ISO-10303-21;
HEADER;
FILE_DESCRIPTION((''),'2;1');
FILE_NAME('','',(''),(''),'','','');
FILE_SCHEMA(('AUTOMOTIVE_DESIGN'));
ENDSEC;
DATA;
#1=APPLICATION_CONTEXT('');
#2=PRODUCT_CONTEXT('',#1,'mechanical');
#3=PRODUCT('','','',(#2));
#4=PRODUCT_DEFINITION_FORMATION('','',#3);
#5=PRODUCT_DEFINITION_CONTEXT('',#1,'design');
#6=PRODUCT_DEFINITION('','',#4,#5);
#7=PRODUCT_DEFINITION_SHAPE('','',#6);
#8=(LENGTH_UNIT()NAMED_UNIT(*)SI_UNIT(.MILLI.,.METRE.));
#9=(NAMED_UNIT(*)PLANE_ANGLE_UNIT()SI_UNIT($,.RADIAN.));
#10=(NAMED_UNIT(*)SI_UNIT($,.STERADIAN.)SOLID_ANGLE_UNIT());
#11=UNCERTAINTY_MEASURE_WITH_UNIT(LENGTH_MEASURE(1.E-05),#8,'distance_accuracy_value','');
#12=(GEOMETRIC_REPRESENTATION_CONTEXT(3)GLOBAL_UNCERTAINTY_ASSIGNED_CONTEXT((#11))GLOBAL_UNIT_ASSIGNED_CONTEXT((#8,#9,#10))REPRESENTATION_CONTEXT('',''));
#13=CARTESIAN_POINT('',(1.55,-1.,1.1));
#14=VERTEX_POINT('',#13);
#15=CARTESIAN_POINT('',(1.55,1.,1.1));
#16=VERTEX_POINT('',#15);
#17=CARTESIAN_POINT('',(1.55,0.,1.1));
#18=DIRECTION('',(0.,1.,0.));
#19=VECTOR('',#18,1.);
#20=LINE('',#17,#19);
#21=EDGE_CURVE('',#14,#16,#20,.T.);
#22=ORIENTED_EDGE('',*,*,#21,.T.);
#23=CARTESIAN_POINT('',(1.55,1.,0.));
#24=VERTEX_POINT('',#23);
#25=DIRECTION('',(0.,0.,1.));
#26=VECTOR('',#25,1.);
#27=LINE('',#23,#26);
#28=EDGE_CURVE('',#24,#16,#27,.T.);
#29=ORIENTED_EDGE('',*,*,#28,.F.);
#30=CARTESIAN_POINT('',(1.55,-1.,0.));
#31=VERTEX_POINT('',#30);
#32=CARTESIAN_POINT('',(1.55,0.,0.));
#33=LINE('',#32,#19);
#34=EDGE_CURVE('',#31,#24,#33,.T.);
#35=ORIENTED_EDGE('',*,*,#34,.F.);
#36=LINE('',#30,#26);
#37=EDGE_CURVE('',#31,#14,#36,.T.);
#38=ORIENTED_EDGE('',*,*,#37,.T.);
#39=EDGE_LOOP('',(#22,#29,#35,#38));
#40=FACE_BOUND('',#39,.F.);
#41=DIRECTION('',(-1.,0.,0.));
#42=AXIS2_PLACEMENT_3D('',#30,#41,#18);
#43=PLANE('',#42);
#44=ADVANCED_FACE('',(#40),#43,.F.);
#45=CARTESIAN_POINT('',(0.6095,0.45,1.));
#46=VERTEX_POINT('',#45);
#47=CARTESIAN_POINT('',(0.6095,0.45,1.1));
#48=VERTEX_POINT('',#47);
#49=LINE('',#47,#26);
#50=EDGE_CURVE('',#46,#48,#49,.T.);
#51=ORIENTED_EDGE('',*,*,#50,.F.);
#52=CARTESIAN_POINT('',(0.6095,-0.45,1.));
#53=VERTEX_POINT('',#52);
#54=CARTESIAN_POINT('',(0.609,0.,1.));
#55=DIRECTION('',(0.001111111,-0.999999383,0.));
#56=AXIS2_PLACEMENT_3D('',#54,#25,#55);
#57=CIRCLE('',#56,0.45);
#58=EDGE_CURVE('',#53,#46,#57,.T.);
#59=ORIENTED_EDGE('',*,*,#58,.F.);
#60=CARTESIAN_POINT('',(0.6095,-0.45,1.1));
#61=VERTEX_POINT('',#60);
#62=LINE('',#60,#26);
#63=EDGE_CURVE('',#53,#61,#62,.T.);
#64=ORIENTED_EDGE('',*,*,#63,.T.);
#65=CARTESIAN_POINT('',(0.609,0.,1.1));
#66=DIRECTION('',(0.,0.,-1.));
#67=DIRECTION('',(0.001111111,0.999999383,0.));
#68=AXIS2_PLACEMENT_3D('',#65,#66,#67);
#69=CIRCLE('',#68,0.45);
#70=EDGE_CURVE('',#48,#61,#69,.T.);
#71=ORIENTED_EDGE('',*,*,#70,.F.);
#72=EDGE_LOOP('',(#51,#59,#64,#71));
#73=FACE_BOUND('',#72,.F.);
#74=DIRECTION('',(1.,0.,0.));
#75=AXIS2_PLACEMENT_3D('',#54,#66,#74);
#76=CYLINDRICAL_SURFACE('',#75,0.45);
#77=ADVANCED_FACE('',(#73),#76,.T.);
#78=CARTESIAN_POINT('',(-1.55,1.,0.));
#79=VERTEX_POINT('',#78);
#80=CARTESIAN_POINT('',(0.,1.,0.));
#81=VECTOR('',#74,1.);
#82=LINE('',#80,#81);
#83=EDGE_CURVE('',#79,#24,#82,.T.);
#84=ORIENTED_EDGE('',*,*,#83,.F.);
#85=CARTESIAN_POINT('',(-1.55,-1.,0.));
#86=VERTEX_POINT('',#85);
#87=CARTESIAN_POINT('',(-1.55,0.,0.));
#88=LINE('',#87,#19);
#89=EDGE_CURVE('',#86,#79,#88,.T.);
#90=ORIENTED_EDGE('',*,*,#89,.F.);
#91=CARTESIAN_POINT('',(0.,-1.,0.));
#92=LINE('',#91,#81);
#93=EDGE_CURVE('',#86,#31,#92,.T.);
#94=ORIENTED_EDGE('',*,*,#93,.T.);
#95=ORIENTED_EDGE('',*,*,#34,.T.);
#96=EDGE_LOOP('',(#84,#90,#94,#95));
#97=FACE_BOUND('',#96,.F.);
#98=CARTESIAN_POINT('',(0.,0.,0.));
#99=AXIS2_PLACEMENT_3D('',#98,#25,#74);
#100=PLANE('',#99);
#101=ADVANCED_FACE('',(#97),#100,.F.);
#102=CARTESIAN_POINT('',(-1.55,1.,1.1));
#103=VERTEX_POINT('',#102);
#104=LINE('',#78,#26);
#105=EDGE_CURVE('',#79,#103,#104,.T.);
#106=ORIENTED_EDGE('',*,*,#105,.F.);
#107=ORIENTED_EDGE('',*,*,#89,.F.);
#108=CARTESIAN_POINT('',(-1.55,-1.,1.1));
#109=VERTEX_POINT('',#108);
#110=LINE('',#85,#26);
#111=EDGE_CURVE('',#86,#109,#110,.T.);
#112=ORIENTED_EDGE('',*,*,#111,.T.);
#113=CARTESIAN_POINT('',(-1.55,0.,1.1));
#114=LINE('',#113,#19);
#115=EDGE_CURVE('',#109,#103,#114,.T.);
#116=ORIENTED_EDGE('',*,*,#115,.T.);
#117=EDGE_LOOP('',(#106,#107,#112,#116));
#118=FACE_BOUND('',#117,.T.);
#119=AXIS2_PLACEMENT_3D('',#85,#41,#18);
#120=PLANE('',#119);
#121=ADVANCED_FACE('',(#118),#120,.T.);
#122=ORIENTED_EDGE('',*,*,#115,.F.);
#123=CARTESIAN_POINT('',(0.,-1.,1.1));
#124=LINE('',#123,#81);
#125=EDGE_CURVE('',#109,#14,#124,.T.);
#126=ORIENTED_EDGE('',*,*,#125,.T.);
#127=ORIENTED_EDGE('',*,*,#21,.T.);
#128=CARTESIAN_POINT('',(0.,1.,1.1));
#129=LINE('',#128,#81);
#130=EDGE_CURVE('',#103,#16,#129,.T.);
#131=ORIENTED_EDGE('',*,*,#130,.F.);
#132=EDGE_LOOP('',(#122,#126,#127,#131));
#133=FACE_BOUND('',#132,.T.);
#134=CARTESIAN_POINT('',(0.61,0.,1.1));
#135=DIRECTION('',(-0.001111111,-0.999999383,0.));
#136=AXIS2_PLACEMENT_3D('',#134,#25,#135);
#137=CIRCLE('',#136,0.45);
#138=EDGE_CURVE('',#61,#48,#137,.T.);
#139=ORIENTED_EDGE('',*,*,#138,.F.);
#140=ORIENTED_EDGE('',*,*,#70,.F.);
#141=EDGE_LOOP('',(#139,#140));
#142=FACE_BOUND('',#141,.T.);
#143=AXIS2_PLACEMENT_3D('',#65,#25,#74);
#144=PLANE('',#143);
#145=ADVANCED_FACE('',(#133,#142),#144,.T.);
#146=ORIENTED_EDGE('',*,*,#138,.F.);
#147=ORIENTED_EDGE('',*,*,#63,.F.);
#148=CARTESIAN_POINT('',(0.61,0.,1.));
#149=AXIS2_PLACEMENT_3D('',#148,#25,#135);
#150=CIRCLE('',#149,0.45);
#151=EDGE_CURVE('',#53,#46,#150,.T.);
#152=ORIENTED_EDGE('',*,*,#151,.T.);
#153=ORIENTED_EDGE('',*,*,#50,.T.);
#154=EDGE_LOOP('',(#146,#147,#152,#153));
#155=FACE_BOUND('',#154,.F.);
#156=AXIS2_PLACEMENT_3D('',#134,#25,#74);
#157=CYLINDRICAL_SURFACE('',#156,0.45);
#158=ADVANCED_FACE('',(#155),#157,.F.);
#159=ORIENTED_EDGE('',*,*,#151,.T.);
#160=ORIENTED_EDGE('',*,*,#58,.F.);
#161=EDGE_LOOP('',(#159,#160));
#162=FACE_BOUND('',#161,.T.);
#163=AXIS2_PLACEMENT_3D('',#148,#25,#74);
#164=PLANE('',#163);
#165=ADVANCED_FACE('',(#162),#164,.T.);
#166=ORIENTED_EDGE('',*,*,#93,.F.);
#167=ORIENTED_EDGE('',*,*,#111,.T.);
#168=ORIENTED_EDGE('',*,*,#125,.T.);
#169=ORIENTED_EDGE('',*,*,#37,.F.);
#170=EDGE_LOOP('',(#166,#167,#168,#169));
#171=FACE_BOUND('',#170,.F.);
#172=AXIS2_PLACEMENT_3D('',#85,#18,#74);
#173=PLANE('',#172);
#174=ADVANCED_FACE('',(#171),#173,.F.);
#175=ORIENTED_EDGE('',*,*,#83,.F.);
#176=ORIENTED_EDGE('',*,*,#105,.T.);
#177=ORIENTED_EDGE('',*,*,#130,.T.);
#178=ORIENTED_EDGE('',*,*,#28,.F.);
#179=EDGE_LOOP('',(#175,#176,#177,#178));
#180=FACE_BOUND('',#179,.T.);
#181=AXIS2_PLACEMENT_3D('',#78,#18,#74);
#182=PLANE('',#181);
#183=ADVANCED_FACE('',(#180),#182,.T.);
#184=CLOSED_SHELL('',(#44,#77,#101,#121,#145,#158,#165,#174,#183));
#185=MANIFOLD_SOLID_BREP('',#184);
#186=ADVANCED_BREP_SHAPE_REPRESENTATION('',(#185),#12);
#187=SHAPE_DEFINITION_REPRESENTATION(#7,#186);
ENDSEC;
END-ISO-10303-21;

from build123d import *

# Parameters (mm, degrees)
SKETCH001_R  = 0.45
PAD001_DEPTH = 0.1
SKETCH_W     = 3.1
SKETCH_H     = 2
PAD_DEPTH    = 1.1
CIRCLE_R     = 0.45
POCKET_DEPTH = 0.1


with BuildPart() as body001:
    # Sketch001 → Pad001 (new body)
    with BuildSketch(Plane.XY):
        with Locations((0.609, 0)):
            Circle(SKETCH001_R)
    extrude(amount=PAD001_DEPTH)


with BuildPart() as body001_1:
    # Body001 placement: moved
    add(body001.part.moved(Location((0, 0, 1))))


with BuildPart() as fusion:
    # Sketch → Pad (new body)
    with BuildSketch(Plane.XY):
        Rectangle(SKETCH_W, SKETCH_H)
    extrude(amount=PAD_DEPTH)

    # Circle → Pocket (cut)
    with BuildSketch(Plane(origin=(0.61, 0, 1.1), x_dir=(1, 0, 0), z_dir=(0, 0, 1))):
        Circle(CIRCLE_R)
    extrude(amount=-POCKET_DEPTH, mode=Mode.SUBTRACT)

    # Fusion: union Body001
    add(body001_1.part)


solid = fusion.part
